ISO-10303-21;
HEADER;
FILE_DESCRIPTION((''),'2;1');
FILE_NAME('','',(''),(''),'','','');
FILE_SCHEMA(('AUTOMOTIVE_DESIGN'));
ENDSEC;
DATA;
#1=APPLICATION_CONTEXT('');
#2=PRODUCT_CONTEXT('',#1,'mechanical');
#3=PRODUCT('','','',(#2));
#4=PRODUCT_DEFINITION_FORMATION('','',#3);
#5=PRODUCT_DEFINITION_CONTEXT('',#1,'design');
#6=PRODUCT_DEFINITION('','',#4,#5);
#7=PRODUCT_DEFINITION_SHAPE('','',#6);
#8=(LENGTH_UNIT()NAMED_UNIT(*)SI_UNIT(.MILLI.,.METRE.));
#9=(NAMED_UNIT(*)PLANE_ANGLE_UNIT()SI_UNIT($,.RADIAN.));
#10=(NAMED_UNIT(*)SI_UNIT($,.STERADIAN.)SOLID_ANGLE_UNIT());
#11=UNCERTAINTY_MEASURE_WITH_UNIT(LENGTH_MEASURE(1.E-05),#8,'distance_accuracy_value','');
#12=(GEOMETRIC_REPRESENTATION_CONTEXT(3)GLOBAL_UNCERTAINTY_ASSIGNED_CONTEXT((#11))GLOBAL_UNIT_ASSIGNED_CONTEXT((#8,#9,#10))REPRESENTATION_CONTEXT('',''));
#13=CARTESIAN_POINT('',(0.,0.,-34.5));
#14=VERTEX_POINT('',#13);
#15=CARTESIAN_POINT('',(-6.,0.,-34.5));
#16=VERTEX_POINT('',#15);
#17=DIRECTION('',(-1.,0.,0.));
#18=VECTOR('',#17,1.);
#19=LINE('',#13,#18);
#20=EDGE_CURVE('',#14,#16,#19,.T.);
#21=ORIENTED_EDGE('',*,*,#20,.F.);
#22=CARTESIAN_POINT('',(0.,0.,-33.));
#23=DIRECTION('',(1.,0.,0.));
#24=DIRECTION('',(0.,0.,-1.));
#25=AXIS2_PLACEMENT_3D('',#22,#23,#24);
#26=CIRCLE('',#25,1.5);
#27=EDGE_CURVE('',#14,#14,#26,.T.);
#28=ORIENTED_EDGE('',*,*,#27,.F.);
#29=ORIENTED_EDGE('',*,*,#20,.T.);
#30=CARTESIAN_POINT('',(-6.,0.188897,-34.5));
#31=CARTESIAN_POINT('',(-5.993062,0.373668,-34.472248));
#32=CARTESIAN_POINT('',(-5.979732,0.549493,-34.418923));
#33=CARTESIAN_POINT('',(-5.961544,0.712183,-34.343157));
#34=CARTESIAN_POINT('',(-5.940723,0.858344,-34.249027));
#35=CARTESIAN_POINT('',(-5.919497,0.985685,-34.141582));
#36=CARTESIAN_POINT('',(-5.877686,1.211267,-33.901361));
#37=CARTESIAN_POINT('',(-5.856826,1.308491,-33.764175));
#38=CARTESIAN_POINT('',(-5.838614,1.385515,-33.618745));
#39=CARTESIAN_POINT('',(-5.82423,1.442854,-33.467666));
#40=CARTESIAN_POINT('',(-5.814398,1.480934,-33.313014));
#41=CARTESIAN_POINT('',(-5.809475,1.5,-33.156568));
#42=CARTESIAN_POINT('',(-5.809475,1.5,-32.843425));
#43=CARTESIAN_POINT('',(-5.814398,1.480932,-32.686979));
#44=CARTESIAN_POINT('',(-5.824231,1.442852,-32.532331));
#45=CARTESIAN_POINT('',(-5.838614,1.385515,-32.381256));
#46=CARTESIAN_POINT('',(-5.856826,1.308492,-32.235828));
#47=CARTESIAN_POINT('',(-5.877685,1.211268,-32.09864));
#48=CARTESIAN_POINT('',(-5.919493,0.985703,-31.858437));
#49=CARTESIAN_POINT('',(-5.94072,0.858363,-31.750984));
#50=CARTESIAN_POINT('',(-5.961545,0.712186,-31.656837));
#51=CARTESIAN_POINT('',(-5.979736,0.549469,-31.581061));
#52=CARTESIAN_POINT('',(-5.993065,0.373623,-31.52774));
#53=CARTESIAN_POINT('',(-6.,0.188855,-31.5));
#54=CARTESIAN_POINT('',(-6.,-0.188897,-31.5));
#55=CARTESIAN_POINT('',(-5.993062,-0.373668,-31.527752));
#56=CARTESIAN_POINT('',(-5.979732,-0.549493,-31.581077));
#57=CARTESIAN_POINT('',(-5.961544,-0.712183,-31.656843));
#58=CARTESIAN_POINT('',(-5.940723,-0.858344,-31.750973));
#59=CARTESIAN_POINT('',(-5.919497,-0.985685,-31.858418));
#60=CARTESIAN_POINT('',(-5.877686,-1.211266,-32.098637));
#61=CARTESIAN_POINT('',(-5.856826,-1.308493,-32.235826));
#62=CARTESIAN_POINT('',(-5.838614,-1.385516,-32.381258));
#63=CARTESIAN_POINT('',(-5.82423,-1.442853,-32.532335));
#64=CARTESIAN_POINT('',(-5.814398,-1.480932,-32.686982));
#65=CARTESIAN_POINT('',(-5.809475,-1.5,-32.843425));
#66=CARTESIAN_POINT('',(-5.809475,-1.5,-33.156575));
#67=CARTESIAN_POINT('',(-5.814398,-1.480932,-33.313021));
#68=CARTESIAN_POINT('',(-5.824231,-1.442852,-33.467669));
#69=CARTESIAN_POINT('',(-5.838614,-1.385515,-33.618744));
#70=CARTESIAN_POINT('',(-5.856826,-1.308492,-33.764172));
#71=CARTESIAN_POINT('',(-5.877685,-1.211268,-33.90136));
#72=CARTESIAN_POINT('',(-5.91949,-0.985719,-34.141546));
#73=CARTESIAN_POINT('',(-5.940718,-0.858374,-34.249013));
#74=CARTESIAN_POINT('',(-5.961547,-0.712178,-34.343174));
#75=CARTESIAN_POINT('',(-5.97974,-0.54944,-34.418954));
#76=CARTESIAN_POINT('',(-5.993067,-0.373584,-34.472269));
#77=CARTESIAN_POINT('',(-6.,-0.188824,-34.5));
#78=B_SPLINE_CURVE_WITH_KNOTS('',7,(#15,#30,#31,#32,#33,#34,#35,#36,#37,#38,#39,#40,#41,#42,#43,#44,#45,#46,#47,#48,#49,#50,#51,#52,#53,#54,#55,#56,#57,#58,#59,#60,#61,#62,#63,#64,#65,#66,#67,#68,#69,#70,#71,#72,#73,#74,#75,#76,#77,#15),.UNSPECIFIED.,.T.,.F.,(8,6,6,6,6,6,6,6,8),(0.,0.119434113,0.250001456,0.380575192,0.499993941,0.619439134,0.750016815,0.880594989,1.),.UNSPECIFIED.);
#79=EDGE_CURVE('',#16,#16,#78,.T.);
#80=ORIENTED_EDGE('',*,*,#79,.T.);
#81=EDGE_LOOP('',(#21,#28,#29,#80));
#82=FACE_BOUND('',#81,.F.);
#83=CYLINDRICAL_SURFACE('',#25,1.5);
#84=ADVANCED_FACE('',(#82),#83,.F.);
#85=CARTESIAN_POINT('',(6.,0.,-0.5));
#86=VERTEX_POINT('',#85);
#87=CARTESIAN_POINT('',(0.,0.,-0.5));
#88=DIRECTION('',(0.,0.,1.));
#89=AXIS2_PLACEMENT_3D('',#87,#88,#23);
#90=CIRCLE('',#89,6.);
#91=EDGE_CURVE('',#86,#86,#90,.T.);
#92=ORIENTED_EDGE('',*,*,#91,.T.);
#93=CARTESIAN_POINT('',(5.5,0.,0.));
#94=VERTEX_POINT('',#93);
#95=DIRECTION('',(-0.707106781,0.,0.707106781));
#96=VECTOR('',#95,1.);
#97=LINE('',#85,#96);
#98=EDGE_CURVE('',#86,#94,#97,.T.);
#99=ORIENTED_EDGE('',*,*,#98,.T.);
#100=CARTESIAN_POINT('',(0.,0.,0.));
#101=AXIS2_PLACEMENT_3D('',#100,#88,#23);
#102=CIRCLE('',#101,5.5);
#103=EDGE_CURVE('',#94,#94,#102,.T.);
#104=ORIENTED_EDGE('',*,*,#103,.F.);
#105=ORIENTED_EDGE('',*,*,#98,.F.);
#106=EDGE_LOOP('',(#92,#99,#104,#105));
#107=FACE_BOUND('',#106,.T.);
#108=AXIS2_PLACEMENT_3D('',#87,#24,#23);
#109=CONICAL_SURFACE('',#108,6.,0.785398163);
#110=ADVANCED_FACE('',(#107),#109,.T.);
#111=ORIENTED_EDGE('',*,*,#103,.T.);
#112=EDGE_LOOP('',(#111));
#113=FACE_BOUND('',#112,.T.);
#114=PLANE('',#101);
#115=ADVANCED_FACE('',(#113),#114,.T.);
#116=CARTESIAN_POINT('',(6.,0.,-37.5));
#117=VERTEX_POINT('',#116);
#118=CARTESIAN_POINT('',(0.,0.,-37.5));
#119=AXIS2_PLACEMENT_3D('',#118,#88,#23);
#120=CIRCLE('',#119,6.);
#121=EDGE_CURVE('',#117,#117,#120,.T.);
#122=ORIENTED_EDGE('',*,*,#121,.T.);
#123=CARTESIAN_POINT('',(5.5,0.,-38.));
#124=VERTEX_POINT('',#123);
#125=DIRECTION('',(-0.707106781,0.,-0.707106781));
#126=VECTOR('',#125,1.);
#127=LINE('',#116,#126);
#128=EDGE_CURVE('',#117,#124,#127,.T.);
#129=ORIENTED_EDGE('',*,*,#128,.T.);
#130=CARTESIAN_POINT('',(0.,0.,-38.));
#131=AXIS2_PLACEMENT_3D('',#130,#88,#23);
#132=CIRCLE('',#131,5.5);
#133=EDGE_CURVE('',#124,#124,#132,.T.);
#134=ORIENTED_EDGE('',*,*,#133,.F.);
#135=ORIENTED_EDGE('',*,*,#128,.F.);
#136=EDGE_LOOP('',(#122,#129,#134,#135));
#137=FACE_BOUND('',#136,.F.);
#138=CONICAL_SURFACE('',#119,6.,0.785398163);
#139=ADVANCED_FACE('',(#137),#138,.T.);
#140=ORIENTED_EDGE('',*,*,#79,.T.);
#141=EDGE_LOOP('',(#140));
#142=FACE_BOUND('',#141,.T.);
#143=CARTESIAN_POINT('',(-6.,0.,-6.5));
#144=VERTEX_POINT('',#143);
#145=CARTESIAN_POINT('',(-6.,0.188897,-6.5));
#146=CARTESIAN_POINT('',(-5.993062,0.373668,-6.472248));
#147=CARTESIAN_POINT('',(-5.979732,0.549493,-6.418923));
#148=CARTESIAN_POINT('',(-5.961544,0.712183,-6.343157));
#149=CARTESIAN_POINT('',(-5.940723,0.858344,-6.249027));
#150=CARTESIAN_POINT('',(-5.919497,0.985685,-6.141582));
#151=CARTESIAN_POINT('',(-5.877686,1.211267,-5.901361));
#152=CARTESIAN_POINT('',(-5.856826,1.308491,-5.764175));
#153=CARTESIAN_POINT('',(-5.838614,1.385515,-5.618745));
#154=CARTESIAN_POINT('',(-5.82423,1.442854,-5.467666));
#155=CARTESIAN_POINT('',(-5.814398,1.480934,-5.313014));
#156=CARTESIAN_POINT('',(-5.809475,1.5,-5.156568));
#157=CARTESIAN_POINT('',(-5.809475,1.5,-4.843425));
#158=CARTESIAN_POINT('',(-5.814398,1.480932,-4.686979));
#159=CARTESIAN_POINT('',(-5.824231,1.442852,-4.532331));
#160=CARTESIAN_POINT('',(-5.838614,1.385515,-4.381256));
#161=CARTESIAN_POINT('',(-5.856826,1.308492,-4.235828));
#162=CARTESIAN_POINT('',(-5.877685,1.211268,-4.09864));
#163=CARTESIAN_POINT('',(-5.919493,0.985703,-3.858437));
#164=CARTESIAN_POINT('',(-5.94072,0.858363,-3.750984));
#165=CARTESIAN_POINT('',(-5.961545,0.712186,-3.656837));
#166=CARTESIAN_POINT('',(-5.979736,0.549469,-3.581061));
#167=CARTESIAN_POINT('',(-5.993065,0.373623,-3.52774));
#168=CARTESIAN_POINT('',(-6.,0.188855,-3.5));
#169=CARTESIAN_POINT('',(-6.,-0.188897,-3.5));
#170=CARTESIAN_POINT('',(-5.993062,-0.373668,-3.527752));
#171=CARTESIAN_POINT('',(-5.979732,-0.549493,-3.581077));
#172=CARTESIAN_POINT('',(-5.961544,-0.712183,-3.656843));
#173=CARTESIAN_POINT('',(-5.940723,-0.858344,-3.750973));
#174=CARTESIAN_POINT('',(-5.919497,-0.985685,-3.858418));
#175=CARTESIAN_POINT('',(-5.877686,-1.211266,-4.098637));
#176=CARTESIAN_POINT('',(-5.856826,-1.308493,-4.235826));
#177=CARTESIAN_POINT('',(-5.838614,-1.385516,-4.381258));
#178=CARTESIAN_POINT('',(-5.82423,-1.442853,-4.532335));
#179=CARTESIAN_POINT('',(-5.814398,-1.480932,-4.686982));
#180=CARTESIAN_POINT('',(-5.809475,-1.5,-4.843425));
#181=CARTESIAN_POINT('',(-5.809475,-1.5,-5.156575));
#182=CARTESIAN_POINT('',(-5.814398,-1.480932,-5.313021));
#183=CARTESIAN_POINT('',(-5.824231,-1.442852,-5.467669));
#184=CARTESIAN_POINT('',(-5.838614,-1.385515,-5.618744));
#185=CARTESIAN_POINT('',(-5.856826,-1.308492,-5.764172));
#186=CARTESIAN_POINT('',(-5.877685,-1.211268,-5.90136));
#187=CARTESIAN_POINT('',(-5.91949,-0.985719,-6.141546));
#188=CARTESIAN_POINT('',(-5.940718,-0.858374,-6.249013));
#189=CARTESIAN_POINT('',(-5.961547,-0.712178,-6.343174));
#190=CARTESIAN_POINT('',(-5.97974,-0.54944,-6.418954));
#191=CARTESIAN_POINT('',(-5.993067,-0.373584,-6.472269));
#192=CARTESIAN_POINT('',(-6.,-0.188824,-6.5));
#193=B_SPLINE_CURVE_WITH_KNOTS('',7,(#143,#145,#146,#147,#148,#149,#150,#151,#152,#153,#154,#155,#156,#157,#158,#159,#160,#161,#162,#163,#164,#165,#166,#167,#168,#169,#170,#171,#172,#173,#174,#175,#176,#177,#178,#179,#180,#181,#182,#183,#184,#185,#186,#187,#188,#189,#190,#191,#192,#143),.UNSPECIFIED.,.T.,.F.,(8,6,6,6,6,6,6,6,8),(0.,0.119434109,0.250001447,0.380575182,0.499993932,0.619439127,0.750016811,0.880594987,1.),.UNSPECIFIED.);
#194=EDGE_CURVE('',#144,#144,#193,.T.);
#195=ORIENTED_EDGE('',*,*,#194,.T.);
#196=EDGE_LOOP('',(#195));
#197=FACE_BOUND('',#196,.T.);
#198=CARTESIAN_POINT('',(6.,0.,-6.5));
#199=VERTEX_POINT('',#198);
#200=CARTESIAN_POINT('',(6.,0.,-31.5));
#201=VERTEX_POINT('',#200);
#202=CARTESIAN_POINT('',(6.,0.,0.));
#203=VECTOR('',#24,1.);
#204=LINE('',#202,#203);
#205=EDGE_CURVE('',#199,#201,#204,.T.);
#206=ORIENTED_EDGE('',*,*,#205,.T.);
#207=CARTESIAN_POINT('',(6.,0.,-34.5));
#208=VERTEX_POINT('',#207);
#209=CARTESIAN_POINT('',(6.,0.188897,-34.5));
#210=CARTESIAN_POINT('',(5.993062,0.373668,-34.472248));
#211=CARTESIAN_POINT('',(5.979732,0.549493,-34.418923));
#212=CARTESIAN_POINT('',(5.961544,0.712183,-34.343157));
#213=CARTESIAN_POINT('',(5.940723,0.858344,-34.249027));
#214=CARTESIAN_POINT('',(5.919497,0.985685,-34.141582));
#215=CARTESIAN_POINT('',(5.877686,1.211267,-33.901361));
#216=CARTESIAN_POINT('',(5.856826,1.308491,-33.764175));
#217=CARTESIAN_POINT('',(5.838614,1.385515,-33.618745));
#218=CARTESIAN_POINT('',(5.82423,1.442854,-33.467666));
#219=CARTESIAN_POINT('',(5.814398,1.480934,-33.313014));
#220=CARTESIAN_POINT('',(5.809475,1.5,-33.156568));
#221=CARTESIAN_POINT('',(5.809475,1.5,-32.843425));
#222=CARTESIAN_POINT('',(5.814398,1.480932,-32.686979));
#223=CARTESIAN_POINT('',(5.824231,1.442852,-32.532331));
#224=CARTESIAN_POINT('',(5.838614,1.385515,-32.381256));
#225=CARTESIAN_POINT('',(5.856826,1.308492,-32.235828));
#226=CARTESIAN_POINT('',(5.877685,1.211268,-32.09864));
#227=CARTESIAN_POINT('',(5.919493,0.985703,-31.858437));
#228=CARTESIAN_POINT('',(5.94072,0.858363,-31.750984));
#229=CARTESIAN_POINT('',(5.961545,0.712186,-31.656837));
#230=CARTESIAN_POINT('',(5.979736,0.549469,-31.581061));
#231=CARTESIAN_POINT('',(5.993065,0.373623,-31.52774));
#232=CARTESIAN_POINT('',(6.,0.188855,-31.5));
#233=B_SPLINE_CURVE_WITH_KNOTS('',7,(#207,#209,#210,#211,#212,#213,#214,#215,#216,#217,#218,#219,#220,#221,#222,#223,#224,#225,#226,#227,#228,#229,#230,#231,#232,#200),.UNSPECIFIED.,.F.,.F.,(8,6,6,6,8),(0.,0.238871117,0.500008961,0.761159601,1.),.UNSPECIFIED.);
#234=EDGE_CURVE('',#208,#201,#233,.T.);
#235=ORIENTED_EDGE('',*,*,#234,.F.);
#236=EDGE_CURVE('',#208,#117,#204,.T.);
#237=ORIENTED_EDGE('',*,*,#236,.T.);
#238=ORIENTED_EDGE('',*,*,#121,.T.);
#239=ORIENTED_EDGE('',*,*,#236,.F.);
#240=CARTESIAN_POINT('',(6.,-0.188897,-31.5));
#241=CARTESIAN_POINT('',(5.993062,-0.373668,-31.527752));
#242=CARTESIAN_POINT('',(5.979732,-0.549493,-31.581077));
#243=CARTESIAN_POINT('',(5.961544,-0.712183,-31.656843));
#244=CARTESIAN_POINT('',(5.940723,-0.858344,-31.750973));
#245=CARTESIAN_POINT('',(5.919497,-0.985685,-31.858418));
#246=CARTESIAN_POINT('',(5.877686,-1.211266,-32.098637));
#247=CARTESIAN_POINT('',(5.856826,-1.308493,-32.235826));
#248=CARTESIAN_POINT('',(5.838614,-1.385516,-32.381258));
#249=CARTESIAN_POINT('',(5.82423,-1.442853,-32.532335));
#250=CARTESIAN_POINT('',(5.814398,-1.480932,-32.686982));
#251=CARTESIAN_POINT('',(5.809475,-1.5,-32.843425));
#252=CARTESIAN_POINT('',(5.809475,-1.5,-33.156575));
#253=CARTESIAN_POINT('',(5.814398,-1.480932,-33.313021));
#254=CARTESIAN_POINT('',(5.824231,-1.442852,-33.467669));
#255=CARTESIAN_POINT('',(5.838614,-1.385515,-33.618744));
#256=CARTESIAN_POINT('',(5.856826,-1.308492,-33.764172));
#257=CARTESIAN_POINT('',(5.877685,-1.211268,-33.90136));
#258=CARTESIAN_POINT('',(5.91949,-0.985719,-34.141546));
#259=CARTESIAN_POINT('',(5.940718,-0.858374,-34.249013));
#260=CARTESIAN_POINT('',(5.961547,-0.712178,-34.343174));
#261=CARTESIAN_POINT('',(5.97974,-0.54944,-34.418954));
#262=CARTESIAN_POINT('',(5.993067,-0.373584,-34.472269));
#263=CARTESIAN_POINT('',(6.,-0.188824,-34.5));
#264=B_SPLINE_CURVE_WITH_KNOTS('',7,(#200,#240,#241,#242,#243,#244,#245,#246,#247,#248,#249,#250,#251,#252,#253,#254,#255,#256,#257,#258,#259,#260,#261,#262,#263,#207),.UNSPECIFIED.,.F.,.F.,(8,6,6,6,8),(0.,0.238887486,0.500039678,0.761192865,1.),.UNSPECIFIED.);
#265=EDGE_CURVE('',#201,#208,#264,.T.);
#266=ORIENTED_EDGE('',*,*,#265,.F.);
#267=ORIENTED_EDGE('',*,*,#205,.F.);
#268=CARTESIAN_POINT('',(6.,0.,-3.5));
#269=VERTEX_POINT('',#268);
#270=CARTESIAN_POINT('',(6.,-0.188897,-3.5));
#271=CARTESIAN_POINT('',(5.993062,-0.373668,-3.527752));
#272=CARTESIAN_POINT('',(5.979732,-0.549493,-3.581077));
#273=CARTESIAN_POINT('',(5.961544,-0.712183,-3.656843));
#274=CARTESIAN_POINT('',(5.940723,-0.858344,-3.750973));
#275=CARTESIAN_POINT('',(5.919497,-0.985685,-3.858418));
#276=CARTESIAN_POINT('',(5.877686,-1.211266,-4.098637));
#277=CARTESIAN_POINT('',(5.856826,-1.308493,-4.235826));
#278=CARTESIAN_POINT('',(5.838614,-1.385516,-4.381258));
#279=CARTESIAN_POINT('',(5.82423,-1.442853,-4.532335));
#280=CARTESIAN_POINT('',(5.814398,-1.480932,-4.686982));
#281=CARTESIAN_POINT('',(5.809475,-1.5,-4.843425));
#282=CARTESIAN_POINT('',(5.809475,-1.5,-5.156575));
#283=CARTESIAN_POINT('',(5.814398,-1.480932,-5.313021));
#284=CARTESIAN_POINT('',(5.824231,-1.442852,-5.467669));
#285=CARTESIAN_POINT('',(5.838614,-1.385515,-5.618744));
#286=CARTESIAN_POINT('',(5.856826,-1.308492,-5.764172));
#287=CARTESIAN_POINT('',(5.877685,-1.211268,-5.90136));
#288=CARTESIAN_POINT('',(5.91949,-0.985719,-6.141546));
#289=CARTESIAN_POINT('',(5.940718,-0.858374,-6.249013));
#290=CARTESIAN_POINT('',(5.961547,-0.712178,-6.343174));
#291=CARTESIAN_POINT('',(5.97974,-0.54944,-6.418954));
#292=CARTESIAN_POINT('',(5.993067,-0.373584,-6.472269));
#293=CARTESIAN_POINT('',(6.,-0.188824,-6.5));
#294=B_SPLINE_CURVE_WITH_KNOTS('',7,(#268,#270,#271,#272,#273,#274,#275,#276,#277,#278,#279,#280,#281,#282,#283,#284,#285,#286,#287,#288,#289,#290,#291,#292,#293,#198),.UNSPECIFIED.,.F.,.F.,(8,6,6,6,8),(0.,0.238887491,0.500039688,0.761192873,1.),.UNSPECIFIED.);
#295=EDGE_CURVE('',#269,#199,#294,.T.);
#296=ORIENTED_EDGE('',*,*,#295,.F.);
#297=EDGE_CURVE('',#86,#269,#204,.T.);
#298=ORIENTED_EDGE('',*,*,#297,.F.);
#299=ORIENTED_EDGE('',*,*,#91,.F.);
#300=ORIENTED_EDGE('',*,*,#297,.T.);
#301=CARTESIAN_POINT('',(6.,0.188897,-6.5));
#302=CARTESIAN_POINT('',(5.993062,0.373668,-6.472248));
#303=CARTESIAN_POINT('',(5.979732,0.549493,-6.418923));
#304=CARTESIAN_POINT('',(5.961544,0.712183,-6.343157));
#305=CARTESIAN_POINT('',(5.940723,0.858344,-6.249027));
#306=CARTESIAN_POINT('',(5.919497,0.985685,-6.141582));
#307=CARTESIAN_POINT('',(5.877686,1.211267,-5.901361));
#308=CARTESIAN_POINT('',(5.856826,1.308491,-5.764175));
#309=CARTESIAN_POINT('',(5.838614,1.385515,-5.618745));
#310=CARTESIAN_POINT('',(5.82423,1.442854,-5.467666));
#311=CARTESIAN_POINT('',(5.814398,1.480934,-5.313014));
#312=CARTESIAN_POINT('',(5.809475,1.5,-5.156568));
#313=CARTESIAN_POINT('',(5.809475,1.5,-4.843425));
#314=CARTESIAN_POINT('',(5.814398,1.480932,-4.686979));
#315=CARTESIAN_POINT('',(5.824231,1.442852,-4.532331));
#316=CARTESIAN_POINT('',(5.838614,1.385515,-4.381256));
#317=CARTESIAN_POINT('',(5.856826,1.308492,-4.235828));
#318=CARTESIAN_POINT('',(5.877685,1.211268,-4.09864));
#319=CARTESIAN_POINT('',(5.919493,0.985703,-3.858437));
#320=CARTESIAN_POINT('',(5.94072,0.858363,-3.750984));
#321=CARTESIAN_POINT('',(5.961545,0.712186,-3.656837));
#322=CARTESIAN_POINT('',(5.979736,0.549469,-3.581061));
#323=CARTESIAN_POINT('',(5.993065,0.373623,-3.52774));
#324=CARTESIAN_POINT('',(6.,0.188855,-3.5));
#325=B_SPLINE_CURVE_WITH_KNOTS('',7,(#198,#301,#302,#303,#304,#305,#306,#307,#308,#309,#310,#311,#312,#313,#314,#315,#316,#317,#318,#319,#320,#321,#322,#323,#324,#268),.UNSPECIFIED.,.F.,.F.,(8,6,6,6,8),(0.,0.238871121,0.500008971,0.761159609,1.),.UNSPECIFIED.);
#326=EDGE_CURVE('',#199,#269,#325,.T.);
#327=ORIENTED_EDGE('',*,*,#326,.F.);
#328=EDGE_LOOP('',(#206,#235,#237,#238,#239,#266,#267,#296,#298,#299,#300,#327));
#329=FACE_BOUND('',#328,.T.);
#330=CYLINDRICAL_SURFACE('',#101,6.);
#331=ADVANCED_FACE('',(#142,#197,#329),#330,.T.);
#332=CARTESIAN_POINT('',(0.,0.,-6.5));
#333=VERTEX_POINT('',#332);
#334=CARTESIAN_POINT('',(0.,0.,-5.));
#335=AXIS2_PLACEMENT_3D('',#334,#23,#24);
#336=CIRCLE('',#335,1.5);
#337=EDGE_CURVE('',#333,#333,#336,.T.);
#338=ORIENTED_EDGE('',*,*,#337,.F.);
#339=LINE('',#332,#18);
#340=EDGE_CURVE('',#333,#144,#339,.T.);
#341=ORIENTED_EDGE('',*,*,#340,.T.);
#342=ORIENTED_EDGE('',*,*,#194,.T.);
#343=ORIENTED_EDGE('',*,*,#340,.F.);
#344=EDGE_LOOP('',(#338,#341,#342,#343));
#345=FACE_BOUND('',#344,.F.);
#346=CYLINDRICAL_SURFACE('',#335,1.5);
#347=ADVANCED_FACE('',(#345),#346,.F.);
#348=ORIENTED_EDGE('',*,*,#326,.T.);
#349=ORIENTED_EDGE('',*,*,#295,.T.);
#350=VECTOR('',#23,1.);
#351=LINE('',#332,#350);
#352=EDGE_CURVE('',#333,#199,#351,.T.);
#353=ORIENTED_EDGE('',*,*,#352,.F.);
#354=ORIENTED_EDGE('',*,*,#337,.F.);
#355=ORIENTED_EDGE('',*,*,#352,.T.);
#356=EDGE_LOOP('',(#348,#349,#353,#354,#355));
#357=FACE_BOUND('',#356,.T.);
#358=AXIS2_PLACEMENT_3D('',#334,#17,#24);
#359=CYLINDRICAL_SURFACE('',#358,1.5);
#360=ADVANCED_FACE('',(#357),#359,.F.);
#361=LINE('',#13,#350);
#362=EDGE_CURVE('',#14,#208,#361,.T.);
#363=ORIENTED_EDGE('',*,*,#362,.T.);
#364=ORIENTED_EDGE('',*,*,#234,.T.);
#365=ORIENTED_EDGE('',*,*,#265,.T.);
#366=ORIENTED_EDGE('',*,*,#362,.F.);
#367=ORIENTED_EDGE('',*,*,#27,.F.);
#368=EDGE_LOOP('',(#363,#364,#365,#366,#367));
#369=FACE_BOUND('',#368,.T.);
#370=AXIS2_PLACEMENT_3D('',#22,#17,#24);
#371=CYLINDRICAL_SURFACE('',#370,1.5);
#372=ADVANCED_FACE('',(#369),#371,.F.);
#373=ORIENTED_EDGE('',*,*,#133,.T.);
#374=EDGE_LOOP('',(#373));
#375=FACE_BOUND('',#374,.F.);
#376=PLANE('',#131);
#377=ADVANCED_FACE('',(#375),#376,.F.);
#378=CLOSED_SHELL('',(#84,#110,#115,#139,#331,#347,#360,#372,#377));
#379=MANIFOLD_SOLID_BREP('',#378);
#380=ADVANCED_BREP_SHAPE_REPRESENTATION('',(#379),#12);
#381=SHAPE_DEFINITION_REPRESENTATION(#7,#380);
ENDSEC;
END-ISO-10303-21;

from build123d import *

# Parameters (mm, degrees)
SKETCH1_R               = 6
BOSS_EXTRUDE1_DEPTH     = 38
CHAMFER1_SIZE           = 0.5
SKETCH2_R               = 1.5
CUT_EXTRUDE1_DEPTH      = 7
CUT_EXTRUDE1_DEPTH_BACK = 7


with BuildPart() as part:
    # Sketch1 → Boss-Extrude1 (new body)
    with BuildSketch(Plane.XY):
        Circle(SKETCH1_R)
    extrude(amount=-BOSS_EXTRUDE1_DEPTH)

    # Chamfer1
    chamfer1_edges = [part.edges().sort_by_distance(p)[0] for p in [
        (-6, 0, 0),
        (-6, 0, -38),
    ]]
    chamfer(chamfer1_edges, length=CHAMFER1_SIZE)

    # Sketch2 → Cut-Extrude1 (cut, two sides)
    with BuildSketch(Plane(origin=(0, 0, 0), x_dir=(0, 0, -1), z_dir=(1, 0, 0))) as cut_extrude1_sk:
        with Locations((5, 0)):
            Circle(SKETCH2_R)
        with Locations((33, 0)):
            Circle(SKETCH2_R)
    extrude(amount=CUT_EXTRUDE1_DEPTH, mode=Mode.SUBTRACT)
    extrude(cut_extrude1_sk.sketch, amount=-CUT_EXTRUDE1_DEPTH_BACK, mode=Mode.SUBTRACT)


solid = part.part
